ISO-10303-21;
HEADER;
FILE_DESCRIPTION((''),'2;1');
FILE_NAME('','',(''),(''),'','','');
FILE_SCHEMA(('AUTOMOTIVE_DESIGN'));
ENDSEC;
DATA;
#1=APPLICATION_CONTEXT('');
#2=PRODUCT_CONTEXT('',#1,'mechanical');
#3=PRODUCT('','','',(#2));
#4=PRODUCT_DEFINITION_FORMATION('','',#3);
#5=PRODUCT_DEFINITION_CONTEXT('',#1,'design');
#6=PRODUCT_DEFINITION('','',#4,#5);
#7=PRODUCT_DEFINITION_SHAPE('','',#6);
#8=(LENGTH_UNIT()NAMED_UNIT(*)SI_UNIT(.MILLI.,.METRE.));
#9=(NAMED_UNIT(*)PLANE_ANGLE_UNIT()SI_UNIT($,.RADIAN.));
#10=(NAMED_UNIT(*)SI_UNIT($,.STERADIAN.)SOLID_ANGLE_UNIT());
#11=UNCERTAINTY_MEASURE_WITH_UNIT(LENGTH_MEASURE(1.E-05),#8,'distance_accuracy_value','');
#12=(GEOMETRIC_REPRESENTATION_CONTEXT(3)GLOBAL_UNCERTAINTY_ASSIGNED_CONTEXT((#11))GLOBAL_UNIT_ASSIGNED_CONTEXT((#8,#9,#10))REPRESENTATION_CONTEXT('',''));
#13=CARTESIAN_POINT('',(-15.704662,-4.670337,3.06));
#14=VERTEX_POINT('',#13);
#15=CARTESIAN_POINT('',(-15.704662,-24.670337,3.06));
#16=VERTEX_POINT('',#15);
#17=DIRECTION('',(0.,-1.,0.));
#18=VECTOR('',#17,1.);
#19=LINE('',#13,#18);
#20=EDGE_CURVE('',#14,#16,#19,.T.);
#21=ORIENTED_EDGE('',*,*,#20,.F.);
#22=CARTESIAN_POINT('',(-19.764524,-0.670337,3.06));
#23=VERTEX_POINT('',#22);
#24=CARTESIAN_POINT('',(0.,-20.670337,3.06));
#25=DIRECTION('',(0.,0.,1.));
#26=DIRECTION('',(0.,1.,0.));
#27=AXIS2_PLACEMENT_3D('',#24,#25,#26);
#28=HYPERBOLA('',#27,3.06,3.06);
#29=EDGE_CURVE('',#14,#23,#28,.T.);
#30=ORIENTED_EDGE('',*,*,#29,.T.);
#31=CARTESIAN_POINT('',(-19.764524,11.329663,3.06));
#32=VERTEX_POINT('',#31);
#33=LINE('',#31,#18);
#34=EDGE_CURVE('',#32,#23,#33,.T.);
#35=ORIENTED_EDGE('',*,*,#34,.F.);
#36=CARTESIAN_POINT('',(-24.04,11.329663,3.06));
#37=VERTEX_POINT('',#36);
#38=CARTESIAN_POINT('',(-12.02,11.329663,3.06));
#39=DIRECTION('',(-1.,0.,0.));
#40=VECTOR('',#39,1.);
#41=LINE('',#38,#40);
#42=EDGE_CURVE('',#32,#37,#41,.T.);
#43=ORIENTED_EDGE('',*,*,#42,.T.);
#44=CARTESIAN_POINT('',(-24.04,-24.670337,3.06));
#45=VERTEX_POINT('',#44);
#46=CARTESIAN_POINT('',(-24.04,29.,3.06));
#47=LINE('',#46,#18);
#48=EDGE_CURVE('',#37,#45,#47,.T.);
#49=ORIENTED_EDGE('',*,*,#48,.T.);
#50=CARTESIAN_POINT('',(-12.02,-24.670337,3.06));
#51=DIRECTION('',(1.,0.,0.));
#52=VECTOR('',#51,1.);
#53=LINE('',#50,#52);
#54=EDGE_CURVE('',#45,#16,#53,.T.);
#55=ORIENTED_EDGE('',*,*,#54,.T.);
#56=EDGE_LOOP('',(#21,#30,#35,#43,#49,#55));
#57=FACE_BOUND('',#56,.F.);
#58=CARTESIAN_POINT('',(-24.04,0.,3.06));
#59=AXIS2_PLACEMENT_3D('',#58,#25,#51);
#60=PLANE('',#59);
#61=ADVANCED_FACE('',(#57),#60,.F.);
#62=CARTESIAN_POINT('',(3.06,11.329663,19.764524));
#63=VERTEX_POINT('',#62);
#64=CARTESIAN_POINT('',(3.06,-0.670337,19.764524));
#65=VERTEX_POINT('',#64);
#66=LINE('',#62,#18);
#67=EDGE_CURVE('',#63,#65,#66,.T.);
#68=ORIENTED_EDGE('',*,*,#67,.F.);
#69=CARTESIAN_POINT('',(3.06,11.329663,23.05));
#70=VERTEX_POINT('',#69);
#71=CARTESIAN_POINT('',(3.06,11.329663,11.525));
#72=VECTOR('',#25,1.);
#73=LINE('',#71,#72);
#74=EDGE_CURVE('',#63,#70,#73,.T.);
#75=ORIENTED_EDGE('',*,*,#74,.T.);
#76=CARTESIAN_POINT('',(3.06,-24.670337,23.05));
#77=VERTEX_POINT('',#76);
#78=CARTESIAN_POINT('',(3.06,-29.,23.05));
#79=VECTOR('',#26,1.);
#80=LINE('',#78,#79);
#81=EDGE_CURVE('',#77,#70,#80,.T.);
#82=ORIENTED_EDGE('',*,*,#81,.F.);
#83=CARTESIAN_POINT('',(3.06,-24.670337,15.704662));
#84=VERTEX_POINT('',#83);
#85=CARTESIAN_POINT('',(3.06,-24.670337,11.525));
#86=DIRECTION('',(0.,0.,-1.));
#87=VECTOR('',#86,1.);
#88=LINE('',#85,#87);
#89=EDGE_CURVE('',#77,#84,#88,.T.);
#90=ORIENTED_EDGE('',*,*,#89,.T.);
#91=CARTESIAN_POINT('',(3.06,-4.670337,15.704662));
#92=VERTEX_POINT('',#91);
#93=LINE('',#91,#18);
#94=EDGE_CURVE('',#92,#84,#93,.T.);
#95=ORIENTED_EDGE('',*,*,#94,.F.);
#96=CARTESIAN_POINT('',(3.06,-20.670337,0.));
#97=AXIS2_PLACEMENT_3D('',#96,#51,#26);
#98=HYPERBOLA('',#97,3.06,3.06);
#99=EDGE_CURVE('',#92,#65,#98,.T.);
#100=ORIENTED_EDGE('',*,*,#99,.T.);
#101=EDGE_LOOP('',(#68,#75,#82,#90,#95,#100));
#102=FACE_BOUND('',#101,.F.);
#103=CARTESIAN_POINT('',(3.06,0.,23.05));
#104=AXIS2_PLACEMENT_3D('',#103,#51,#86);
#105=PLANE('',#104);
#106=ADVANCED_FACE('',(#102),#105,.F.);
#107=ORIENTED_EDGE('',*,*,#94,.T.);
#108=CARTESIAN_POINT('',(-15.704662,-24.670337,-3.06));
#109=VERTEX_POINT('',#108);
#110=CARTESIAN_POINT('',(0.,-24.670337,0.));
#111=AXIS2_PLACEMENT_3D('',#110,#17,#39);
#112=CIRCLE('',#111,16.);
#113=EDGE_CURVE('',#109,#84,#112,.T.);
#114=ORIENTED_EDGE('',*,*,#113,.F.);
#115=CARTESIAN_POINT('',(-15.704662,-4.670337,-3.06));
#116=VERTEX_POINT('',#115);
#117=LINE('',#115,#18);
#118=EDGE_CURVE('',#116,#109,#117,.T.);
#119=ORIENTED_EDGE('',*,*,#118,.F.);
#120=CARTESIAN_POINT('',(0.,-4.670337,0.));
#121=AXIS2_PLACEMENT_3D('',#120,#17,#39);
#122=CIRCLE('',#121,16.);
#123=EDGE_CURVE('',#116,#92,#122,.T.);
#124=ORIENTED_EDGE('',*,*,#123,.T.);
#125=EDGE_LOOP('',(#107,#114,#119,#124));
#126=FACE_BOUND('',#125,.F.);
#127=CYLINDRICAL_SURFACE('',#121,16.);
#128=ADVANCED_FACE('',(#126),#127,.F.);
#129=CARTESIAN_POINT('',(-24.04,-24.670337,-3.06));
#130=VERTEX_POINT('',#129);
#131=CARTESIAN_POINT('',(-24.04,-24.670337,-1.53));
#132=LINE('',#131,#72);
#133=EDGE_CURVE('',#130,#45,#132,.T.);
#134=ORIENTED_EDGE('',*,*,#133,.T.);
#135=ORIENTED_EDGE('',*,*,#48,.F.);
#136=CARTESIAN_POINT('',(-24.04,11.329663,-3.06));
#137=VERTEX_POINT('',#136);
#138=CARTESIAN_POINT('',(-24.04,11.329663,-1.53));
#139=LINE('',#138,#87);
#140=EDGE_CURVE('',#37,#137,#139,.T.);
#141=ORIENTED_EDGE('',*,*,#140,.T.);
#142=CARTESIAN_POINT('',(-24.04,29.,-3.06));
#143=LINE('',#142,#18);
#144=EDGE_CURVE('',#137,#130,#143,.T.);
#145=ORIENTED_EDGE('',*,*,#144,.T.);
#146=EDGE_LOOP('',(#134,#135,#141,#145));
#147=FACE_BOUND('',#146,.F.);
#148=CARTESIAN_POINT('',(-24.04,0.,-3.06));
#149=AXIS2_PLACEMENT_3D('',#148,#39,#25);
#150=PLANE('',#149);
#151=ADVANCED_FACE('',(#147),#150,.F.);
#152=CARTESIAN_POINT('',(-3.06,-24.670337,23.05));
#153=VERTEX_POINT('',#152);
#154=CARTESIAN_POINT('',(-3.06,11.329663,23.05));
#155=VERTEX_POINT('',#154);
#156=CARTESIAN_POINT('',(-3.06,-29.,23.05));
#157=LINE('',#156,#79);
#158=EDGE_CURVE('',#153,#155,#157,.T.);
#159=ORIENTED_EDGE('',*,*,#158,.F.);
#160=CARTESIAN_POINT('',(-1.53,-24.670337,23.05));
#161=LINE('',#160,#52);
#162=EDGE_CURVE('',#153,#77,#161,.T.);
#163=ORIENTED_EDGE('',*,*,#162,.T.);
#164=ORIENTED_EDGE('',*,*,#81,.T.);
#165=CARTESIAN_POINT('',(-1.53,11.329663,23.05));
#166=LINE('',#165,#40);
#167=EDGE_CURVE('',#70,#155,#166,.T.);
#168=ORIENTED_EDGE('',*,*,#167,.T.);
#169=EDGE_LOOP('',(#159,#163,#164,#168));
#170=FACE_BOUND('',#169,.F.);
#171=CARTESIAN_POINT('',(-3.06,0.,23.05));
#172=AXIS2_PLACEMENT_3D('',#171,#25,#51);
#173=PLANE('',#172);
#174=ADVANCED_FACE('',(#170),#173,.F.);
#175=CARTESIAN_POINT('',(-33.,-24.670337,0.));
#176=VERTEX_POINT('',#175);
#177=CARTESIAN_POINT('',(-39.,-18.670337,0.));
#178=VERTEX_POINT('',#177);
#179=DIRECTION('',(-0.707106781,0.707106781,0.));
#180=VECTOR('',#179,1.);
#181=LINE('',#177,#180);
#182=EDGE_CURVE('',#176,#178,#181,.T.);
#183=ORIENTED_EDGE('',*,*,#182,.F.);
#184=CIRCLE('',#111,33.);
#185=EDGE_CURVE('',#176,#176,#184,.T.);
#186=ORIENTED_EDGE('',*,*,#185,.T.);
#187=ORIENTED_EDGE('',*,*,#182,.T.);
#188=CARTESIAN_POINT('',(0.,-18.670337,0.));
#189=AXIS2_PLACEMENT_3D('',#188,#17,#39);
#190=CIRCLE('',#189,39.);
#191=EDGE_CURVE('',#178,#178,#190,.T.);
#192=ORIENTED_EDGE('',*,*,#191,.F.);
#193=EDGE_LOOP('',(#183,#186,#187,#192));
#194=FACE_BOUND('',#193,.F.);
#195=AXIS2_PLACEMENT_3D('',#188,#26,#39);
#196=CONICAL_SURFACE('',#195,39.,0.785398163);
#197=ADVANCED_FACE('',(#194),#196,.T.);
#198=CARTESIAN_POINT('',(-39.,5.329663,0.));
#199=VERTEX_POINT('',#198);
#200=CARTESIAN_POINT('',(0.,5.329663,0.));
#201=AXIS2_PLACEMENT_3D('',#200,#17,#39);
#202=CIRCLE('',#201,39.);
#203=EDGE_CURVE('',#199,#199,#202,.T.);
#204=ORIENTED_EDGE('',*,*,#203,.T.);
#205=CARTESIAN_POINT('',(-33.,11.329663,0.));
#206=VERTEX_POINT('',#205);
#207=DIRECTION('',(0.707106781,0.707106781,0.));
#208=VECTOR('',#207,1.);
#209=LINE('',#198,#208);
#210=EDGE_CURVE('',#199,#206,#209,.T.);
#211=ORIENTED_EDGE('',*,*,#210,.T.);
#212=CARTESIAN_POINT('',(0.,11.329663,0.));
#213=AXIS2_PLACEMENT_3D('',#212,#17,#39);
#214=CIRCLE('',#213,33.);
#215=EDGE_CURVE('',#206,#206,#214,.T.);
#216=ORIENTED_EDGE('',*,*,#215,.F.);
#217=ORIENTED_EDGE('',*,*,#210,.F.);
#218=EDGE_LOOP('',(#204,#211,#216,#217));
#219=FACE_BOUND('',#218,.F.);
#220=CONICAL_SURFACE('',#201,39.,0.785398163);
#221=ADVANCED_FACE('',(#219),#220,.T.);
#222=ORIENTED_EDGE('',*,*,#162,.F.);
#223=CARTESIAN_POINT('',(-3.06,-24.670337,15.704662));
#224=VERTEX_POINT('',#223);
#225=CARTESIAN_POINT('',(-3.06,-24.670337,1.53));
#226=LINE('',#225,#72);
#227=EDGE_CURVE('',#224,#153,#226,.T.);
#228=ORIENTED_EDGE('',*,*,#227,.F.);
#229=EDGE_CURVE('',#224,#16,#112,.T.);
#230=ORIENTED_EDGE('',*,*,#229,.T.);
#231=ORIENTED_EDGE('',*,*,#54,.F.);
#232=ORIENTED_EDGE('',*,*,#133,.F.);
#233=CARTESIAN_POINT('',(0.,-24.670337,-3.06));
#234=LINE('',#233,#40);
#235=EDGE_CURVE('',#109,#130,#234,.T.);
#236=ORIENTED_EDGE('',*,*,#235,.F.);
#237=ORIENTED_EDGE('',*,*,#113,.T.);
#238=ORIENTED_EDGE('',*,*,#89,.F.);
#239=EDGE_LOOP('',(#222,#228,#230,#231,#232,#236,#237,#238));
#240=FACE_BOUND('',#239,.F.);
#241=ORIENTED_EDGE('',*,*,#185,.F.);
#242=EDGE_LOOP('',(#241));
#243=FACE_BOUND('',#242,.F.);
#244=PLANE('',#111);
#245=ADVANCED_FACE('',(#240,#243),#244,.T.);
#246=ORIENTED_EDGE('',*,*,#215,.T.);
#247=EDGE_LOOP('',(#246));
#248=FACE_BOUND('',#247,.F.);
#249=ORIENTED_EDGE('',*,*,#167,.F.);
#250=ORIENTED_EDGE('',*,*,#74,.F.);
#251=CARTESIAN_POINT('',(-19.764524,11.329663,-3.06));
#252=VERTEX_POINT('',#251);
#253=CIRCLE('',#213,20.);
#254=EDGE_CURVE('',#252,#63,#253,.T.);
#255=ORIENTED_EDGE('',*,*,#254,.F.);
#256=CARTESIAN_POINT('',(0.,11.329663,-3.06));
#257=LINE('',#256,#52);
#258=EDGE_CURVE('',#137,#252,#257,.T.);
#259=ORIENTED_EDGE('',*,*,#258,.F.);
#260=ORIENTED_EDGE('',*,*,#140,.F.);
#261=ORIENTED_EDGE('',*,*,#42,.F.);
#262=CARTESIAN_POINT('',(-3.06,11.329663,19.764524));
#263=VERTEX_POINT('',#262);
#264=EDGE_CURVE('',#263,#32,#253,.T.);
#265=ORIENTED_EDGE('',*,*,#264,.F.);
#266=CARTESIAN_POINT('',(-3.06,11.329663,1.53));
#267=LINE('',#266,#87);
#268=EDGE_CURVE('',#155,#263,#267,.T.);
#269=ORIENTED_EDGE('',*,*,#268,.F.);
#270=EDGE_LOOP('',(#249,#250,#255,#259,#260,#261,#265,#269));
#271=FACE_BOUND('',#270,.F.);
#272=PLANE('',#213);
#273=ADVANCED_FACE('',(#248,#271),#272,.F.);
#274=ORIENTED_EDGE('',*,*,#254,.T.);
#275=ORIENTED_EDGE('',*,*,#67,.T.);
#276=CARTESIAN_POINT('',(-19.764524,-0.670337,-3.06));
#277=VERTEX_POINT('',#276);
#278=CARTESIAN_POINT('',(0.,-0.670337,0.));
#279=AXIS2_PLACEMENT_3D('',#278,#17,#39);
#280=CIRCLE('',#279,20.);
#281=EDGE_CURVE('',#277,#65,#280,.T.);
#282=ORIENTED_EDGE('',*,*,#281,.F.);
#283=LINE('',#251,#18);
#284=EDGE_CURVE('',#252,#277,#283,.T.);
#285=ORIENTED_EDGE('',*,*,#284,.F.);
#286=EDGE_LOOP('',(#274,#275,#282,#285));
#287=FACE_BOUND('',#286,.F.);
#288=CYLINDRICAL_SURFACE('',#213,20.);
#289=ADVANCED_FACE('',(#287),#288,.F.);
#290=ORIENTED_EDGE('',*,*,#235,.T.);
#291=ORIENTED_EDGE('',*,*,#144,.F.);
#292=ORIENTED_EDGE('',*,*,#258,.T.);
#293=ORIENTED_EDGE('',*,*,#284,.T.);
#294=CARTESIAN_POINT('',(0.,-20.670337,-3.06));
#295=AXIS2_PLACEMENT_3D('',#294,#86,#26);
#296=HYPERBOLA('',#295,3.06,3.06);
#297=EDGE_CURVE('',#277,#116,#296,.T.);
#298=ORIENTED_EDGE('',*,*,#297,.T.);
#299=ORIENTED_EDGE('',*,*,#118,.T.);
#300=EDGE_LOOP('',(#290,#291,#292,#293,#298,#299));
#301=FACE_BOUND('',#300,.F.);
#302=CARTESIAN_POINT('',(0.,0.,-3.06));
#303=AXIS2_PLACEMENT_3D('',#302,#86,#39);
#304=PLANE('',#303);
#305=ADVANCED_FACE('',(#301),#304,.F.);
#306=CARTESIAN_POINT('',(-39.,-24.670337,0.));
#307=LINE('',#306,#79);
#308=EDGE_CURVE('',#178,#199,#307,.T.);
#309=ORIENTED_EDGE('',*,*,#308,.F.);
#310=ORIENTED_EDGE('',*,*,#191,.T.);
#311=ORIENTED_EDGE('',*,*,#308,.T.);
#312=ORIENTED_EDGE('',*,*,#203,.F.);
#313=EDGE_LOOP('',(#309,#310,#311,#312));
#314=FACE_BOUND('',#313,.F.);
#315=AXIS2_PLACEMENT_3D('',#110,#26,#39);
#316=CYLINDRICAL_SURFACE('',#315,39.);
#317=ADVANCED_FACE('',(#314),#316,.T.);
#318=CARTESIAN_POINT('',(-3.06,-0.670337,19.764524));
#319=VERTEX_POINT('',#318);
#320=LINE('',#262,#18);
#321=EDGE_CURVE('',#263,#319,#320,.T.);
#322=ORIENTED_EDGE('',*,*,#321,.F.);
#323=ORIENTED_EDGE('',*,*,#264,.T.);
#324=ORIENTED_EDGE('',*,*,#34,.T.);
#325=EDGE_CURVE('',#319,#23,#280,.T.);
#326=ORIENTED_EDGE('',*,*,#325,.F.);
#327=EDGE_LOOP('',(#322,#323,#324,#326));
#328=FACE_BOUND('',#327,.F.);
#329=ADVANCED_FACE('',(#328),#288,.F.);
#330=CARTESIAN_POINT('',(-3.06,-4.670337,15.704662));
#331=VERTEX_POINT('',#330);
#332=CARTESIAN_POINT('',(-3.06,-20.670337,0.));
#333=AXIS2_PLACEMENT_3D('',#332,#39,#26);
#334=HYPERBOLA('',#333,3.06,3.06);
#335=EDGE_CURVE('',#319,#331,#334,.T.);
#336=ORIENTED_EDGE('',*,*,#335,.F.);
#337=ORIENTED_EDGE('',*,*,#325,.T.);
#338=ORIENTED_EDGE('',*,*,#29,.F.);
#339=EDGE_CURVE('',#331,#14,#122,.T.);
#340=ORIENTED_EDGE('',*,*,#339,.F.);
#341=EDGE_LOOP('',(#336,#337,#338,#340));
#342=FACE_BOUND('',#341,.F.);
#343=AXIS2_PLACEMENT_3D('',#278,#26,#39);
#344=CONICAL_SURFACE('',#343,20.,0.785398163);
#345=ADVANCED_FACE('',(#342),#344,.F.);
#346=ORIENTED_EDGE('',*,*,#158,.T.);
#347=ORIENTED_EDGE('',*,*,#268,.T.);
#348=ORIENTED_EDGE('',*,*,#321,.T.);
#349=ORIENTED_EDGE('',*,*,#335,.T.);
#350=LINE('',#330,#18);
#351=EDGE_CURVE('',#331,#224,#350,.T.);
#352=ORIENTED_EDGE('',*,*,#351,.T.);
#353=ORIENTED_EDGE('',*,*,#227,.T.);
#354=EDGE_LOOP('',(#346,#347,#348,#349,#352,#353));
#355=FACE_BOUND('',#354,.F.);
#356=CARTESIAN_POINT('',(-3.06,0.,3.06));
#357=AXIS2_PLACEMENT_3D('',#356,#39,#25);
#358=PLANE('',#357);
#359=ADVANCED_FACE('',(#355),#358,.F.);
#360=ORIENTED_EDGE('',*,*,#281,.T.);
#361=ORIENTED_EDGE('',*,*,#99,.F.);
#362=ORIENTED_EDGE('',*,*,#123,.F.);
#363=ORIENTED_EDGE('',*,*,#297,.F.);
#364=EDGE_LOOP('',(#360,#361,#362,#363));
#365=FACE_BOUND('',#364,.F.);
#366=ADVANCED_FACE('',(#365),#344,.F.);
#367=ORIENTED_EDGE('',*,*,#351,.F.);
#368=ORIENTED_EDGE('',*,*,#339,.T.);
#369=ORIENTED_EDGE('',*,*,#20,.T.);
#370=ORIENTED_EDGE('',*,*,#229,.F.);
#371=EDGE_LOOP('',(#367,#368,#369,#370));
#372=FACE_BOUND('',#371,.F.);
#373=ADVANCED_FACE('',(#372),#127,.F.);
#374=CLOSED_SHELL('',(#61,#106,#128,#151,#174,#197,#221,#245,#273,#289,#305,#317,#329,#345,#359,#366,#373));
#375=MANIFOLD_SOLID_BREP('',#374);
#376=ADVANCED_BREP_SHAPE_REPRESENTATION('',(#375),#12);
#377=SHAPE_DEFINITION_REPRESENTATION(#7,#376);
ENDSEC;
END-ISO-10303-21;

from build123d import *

# Parameters (mm, degrees)
CHAMFER2_SIZE      = 6
CUT_EXTRUDE2_DEPTH = 29
CHAMFER5_SIZE      = 6


with BuildPart() as part:
    # Sketch2 → Revolve2 (revolve)
    with BuildSketch(Plane.XY):
        Polygon((-16, -24.670336976), (-39, -24.670336976), (-39, 11.329663024), (-20, 11.329663024), (-20, -0.670336976), (-16, -4.670336976), align=None)
    revolve(axis=Axis((0, 25, 0), (0, -1, 0)))

    # Chamfer2
    chamfer2_edges = [part.edges().sort_by_distance(p)[0] for p in [
        (39, -24.670336976, 0),
    ]]
    chamfer(chamfer2_edges, length=CHAMFER2_SIZE)

    # Sketch8 → Cut-Extrude2 (cut, symmetric)
    with BuildSketch(Plane(origin=(0, 0, 0), x_dir=(1, 0, 0), z_dir=(0, 1, 0))):
        Polygon((3.06, 0), (0, 0), (0, -3.06), (-3.06, -3.06), (-3.06, -23.05), (3.06, -23.05), align=None)
        Polygon((-3.06, -3.06), (-3.06, 0), (0, 0), (0, 3.06), (-24.04, 3.06), (-24.04, -3.06), align=None)
    extrude(amount=CUT_EXTRUDE2_DEPTH, both=True, mode=Mode.SUBTRACT)

    # Chamfer5
    chamfer5_edges = [part.edges().sort_by_distance(p)[0] for p in [
        (39, 11.329663024, 0),
    ]]
    chamfer(chamfer5_edges, length=CHAMFER5_SIZE)


solid = part.part
